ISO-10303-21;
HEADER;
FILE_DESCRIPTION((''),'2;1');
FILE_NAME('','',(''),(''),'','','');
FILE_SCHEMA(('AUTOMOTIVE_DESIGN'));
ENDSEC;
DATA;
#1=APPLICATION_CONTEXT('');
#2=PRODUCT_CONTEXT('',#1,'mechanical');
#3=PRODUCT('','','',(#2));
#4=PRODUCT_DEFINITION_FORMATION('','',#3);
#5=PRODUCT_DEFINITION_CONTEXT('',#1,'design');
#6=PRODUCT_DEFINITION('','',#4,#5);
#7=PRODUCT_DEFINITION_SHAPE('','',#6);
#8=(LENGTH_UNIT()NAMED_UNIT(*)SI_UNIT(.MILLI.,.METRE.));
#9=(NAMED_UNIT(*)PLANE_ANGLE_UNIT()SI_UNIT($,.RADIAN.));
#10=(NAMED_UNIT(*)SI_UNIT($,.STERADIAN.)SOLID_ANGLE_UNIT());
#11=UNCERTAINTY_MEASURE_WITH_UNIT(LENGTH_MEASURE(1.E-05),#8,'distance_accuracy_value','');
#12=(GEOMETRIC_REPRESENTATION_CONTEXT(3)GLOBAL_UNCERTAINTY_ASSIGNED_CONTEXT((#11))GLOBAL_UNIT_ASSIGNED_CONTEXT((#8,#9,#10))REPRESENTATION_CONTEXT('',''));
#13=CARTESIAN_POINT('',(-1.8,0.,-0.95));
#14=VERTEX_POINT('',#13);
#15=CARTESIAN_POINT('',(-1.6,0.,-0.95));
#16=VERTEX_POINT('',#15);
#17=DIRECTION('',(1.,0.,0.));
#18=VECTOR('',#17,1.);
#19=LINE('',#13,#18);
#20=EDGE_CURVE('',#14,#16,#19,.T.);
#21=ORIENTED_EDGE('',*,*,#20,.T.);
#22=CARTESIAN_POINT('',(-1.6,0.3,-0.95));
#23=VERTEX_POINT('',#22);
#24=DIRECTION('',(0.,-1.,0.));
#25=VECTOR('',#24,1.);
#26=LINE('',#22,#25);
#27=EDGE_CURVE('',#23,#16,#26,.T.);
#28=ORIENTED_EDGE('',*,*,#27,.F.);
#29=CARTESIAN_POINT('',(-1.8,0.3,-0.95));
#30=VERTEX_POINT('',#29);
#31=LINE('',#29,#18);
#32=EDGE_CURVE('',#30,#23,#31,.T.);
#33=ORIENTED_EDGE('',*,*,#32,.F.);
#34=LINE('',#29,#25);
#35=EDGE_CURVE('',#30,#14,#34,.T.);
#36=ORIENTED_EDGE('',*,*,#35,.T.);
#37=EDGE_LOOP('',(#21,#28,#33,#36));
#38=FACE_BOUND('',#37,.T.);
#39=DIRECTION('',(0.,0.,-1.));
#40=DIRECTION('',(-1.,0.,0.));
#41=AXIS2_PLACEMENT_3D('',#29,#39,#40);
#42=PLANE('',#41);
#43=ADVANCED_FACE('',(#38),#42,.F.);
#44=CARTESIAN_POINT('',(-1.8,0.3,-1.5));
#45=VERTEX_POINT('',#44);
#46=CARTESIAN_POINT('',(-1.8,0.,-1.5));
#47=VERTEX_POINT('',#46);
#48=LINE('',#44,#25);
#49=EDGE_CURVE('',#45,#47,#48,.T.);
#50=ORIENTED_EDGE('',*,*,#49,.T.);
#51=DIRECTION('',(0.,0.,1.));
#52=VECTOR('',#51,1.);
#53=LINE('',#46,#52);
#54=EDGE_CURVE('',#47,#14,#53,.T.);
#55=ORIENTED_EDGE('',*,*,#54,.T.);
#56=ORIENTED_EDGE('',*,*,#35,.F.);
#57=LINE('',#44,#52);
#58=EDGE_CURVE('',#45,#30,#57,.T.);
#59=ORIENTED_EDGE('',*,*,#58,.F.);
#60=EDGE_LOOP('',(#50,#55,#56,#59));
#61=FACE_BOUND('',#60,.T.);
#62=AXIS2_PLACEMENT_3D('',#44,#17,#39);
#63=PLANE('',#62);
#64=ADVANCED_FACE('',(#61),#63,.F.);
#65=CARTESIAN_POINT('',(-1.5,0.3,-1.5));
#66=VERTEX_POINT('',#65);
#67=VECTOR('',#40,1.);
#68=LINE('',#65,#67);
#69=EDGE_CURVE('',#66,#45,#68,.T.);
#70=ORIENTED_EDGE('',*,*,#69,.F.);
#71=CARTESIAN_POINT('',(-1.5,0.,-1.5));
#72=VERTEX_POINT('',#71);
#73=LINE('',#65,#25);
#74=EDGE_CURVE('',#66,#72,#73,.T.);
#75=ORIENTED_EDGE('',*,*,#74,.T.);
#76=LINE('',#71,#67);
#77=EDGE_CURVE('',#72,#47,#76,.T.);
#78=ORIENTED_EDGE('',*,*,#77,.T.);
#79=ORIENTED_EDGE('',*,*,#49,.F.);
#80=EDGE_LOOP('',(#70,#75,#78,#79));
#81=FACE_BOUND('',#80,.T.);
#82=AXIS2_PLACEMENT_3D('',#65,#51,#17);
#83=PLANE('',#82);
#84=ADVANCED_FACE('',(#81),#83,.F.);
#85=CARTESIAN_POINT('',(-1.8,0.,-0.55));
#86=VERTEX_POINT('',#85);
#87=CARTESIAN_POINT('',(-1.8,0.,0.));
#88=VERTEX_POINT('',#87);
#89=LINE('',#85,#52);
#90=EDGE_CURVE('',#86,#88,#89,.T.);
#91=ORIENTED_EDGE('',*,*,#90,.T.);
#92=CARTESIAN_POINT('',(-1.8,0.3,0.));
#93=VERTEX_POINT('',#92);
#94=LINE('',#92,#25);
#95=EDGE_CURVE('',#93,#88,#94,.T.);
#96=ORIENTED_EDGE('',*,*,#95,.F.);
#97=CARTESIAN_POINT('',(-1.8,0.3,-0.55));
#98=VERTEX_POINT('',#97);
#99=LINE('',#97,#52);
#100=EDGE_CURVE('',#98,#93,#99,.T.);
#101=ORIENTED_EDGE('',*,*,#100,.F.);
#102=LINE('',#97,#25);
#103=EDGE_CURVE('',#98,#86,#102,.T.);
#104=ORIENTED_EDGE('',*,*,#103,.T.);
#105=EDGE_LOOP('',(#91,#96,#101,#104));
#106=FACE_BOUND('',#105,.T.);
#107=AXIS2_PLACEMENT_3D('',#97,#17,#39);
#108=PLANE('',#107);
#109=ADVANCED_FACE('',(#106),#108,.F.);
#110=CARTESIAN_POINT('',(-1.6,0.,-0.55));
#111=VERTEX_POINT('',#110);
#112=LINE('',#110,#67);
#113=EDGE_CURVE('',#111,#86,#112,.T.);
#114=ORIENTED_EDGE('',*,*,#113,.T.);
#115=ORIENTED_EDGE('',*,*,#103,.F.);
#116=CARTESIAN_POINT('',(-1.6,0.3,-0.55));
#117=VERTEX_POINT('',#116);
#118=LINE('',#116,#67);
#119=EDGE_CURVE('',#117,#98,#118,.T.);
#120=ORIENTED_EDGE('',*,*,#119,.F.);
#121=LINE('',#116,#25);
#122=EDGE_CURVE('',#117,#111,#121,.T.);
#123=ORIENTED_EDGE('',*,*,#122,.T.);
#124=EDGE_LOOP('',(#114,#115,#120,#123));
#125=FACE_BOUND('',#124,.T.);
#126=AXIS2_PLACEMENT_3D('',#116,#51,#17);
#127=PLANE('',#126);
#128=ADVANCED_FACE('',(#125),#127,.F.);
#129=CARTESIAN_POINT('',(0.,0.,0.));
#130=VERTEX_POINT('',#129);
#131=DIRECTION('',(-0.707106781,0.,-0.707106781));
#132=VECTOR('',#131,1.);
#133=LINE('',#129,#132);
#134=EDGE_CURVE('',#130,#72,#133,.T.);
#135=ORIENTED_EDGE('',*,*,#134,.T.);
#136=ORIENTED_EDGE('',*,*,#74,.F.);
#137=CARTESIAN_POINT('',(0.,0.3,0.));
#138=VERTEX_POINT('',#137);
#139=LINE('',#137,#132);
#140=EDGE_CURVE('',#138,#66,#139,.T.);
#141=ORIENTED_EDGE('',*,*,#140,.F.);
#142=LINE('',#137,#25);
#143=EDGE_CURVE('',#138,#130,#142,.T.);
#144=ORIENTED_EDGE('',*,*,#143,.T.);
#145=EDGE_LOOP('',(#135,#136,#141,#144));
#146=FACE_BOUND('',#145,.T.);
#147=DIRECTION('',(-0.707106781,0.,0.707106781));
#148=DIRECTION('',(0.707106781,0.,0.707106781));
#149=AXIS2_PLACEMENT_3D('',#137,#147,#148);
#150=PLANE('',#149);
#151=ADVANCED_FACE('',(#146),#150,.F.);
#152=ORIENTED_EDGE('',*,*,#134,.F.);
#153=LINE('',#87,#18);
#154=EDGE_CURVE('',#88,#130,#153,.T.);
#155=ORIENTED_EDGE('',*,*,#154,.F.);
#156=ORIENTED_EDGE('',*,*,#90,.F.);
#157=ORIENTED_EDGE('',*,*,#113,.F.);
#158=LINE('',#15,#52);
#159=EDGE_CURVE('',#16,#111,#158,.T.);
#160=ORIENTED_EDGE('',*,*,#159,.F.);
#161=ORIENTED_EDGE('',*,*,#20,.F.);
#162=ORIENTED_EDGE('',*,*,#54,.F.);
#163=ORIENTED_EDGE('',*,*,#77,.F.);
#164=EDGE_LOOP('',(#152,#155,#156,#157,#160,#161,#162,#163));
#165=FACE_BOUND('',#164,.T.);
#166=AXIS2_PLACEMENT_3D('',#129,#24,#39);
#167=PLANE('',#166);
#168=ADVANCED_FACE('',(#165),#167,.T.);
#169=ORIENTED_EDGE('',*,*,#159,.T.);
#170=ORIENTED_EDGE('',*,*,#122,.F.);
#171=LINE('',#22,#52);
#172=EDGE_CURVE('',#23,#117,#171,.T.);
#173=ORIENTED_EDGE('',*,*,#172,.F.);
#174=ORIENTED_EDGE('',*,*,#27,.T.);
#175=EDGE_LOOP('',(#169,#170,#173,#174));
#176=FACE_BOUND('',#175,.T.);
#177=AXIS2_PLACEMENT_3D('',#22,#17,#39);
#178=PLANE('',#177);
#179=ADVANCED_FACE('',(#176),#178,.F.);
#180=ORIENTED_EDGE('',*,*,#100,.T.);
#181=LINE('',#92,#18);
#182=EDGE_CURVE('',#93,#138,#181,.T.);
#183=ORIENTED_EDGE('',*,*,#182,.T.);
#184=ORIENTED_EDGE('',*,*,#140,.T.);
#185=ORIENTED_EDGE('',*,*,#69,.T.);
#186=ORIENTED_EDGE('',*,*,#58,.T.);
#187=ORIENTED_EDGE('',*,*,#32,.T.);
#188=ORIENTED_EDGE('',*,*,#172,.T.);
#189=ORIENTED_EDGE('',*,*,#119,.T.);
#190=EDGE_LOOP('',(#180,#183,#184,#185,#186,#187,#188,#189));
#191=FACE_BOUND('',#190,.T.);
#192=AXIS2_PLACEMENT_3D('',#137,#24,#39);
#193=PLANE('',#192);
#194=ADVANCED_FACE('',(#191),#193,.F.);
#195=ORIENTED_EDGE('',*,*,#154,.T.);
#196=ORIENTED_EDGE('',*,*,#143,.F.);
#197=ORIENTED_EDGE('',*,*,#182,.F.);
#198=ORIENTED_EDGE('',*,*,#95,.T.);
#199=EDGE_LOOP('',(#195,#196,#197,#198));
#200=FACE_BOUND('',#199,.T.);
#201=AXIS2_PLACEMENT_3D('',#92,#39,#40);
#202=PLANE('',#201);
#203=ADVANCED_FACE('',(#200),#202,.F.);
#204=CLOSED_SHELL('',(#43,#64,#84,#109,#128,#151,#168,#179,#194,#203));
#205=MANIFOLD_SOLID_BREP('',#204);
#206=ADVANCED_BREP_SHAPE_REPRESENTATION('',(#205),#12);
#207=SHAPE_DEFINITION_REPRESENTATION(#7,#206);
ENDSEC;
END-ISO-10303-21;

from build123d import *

# Parameters (mm, degrees)
BOSS_EXTRUDE1_DEPTH = 0.3


with BuildPart() as part:
    # Sketch1 → Boss-Extrude1 (new body)
    with BuildSketch(Plane(origin=(0, 0, 0), x_dir=(1, 0, 0), z_dir=(0, 1, 0))):
        Polygon((0, 0), (-1.5, 1.5), (-1.8, 1.5), (-1.8, 0.95), (-1.6, 0.95), (-1.6, 0.55), (-1.8, 0.55), (-1.8, 0), align=None)
    extrude(amount=BOSS_EXTRUDE1_DEPTH)


solid = part.part
